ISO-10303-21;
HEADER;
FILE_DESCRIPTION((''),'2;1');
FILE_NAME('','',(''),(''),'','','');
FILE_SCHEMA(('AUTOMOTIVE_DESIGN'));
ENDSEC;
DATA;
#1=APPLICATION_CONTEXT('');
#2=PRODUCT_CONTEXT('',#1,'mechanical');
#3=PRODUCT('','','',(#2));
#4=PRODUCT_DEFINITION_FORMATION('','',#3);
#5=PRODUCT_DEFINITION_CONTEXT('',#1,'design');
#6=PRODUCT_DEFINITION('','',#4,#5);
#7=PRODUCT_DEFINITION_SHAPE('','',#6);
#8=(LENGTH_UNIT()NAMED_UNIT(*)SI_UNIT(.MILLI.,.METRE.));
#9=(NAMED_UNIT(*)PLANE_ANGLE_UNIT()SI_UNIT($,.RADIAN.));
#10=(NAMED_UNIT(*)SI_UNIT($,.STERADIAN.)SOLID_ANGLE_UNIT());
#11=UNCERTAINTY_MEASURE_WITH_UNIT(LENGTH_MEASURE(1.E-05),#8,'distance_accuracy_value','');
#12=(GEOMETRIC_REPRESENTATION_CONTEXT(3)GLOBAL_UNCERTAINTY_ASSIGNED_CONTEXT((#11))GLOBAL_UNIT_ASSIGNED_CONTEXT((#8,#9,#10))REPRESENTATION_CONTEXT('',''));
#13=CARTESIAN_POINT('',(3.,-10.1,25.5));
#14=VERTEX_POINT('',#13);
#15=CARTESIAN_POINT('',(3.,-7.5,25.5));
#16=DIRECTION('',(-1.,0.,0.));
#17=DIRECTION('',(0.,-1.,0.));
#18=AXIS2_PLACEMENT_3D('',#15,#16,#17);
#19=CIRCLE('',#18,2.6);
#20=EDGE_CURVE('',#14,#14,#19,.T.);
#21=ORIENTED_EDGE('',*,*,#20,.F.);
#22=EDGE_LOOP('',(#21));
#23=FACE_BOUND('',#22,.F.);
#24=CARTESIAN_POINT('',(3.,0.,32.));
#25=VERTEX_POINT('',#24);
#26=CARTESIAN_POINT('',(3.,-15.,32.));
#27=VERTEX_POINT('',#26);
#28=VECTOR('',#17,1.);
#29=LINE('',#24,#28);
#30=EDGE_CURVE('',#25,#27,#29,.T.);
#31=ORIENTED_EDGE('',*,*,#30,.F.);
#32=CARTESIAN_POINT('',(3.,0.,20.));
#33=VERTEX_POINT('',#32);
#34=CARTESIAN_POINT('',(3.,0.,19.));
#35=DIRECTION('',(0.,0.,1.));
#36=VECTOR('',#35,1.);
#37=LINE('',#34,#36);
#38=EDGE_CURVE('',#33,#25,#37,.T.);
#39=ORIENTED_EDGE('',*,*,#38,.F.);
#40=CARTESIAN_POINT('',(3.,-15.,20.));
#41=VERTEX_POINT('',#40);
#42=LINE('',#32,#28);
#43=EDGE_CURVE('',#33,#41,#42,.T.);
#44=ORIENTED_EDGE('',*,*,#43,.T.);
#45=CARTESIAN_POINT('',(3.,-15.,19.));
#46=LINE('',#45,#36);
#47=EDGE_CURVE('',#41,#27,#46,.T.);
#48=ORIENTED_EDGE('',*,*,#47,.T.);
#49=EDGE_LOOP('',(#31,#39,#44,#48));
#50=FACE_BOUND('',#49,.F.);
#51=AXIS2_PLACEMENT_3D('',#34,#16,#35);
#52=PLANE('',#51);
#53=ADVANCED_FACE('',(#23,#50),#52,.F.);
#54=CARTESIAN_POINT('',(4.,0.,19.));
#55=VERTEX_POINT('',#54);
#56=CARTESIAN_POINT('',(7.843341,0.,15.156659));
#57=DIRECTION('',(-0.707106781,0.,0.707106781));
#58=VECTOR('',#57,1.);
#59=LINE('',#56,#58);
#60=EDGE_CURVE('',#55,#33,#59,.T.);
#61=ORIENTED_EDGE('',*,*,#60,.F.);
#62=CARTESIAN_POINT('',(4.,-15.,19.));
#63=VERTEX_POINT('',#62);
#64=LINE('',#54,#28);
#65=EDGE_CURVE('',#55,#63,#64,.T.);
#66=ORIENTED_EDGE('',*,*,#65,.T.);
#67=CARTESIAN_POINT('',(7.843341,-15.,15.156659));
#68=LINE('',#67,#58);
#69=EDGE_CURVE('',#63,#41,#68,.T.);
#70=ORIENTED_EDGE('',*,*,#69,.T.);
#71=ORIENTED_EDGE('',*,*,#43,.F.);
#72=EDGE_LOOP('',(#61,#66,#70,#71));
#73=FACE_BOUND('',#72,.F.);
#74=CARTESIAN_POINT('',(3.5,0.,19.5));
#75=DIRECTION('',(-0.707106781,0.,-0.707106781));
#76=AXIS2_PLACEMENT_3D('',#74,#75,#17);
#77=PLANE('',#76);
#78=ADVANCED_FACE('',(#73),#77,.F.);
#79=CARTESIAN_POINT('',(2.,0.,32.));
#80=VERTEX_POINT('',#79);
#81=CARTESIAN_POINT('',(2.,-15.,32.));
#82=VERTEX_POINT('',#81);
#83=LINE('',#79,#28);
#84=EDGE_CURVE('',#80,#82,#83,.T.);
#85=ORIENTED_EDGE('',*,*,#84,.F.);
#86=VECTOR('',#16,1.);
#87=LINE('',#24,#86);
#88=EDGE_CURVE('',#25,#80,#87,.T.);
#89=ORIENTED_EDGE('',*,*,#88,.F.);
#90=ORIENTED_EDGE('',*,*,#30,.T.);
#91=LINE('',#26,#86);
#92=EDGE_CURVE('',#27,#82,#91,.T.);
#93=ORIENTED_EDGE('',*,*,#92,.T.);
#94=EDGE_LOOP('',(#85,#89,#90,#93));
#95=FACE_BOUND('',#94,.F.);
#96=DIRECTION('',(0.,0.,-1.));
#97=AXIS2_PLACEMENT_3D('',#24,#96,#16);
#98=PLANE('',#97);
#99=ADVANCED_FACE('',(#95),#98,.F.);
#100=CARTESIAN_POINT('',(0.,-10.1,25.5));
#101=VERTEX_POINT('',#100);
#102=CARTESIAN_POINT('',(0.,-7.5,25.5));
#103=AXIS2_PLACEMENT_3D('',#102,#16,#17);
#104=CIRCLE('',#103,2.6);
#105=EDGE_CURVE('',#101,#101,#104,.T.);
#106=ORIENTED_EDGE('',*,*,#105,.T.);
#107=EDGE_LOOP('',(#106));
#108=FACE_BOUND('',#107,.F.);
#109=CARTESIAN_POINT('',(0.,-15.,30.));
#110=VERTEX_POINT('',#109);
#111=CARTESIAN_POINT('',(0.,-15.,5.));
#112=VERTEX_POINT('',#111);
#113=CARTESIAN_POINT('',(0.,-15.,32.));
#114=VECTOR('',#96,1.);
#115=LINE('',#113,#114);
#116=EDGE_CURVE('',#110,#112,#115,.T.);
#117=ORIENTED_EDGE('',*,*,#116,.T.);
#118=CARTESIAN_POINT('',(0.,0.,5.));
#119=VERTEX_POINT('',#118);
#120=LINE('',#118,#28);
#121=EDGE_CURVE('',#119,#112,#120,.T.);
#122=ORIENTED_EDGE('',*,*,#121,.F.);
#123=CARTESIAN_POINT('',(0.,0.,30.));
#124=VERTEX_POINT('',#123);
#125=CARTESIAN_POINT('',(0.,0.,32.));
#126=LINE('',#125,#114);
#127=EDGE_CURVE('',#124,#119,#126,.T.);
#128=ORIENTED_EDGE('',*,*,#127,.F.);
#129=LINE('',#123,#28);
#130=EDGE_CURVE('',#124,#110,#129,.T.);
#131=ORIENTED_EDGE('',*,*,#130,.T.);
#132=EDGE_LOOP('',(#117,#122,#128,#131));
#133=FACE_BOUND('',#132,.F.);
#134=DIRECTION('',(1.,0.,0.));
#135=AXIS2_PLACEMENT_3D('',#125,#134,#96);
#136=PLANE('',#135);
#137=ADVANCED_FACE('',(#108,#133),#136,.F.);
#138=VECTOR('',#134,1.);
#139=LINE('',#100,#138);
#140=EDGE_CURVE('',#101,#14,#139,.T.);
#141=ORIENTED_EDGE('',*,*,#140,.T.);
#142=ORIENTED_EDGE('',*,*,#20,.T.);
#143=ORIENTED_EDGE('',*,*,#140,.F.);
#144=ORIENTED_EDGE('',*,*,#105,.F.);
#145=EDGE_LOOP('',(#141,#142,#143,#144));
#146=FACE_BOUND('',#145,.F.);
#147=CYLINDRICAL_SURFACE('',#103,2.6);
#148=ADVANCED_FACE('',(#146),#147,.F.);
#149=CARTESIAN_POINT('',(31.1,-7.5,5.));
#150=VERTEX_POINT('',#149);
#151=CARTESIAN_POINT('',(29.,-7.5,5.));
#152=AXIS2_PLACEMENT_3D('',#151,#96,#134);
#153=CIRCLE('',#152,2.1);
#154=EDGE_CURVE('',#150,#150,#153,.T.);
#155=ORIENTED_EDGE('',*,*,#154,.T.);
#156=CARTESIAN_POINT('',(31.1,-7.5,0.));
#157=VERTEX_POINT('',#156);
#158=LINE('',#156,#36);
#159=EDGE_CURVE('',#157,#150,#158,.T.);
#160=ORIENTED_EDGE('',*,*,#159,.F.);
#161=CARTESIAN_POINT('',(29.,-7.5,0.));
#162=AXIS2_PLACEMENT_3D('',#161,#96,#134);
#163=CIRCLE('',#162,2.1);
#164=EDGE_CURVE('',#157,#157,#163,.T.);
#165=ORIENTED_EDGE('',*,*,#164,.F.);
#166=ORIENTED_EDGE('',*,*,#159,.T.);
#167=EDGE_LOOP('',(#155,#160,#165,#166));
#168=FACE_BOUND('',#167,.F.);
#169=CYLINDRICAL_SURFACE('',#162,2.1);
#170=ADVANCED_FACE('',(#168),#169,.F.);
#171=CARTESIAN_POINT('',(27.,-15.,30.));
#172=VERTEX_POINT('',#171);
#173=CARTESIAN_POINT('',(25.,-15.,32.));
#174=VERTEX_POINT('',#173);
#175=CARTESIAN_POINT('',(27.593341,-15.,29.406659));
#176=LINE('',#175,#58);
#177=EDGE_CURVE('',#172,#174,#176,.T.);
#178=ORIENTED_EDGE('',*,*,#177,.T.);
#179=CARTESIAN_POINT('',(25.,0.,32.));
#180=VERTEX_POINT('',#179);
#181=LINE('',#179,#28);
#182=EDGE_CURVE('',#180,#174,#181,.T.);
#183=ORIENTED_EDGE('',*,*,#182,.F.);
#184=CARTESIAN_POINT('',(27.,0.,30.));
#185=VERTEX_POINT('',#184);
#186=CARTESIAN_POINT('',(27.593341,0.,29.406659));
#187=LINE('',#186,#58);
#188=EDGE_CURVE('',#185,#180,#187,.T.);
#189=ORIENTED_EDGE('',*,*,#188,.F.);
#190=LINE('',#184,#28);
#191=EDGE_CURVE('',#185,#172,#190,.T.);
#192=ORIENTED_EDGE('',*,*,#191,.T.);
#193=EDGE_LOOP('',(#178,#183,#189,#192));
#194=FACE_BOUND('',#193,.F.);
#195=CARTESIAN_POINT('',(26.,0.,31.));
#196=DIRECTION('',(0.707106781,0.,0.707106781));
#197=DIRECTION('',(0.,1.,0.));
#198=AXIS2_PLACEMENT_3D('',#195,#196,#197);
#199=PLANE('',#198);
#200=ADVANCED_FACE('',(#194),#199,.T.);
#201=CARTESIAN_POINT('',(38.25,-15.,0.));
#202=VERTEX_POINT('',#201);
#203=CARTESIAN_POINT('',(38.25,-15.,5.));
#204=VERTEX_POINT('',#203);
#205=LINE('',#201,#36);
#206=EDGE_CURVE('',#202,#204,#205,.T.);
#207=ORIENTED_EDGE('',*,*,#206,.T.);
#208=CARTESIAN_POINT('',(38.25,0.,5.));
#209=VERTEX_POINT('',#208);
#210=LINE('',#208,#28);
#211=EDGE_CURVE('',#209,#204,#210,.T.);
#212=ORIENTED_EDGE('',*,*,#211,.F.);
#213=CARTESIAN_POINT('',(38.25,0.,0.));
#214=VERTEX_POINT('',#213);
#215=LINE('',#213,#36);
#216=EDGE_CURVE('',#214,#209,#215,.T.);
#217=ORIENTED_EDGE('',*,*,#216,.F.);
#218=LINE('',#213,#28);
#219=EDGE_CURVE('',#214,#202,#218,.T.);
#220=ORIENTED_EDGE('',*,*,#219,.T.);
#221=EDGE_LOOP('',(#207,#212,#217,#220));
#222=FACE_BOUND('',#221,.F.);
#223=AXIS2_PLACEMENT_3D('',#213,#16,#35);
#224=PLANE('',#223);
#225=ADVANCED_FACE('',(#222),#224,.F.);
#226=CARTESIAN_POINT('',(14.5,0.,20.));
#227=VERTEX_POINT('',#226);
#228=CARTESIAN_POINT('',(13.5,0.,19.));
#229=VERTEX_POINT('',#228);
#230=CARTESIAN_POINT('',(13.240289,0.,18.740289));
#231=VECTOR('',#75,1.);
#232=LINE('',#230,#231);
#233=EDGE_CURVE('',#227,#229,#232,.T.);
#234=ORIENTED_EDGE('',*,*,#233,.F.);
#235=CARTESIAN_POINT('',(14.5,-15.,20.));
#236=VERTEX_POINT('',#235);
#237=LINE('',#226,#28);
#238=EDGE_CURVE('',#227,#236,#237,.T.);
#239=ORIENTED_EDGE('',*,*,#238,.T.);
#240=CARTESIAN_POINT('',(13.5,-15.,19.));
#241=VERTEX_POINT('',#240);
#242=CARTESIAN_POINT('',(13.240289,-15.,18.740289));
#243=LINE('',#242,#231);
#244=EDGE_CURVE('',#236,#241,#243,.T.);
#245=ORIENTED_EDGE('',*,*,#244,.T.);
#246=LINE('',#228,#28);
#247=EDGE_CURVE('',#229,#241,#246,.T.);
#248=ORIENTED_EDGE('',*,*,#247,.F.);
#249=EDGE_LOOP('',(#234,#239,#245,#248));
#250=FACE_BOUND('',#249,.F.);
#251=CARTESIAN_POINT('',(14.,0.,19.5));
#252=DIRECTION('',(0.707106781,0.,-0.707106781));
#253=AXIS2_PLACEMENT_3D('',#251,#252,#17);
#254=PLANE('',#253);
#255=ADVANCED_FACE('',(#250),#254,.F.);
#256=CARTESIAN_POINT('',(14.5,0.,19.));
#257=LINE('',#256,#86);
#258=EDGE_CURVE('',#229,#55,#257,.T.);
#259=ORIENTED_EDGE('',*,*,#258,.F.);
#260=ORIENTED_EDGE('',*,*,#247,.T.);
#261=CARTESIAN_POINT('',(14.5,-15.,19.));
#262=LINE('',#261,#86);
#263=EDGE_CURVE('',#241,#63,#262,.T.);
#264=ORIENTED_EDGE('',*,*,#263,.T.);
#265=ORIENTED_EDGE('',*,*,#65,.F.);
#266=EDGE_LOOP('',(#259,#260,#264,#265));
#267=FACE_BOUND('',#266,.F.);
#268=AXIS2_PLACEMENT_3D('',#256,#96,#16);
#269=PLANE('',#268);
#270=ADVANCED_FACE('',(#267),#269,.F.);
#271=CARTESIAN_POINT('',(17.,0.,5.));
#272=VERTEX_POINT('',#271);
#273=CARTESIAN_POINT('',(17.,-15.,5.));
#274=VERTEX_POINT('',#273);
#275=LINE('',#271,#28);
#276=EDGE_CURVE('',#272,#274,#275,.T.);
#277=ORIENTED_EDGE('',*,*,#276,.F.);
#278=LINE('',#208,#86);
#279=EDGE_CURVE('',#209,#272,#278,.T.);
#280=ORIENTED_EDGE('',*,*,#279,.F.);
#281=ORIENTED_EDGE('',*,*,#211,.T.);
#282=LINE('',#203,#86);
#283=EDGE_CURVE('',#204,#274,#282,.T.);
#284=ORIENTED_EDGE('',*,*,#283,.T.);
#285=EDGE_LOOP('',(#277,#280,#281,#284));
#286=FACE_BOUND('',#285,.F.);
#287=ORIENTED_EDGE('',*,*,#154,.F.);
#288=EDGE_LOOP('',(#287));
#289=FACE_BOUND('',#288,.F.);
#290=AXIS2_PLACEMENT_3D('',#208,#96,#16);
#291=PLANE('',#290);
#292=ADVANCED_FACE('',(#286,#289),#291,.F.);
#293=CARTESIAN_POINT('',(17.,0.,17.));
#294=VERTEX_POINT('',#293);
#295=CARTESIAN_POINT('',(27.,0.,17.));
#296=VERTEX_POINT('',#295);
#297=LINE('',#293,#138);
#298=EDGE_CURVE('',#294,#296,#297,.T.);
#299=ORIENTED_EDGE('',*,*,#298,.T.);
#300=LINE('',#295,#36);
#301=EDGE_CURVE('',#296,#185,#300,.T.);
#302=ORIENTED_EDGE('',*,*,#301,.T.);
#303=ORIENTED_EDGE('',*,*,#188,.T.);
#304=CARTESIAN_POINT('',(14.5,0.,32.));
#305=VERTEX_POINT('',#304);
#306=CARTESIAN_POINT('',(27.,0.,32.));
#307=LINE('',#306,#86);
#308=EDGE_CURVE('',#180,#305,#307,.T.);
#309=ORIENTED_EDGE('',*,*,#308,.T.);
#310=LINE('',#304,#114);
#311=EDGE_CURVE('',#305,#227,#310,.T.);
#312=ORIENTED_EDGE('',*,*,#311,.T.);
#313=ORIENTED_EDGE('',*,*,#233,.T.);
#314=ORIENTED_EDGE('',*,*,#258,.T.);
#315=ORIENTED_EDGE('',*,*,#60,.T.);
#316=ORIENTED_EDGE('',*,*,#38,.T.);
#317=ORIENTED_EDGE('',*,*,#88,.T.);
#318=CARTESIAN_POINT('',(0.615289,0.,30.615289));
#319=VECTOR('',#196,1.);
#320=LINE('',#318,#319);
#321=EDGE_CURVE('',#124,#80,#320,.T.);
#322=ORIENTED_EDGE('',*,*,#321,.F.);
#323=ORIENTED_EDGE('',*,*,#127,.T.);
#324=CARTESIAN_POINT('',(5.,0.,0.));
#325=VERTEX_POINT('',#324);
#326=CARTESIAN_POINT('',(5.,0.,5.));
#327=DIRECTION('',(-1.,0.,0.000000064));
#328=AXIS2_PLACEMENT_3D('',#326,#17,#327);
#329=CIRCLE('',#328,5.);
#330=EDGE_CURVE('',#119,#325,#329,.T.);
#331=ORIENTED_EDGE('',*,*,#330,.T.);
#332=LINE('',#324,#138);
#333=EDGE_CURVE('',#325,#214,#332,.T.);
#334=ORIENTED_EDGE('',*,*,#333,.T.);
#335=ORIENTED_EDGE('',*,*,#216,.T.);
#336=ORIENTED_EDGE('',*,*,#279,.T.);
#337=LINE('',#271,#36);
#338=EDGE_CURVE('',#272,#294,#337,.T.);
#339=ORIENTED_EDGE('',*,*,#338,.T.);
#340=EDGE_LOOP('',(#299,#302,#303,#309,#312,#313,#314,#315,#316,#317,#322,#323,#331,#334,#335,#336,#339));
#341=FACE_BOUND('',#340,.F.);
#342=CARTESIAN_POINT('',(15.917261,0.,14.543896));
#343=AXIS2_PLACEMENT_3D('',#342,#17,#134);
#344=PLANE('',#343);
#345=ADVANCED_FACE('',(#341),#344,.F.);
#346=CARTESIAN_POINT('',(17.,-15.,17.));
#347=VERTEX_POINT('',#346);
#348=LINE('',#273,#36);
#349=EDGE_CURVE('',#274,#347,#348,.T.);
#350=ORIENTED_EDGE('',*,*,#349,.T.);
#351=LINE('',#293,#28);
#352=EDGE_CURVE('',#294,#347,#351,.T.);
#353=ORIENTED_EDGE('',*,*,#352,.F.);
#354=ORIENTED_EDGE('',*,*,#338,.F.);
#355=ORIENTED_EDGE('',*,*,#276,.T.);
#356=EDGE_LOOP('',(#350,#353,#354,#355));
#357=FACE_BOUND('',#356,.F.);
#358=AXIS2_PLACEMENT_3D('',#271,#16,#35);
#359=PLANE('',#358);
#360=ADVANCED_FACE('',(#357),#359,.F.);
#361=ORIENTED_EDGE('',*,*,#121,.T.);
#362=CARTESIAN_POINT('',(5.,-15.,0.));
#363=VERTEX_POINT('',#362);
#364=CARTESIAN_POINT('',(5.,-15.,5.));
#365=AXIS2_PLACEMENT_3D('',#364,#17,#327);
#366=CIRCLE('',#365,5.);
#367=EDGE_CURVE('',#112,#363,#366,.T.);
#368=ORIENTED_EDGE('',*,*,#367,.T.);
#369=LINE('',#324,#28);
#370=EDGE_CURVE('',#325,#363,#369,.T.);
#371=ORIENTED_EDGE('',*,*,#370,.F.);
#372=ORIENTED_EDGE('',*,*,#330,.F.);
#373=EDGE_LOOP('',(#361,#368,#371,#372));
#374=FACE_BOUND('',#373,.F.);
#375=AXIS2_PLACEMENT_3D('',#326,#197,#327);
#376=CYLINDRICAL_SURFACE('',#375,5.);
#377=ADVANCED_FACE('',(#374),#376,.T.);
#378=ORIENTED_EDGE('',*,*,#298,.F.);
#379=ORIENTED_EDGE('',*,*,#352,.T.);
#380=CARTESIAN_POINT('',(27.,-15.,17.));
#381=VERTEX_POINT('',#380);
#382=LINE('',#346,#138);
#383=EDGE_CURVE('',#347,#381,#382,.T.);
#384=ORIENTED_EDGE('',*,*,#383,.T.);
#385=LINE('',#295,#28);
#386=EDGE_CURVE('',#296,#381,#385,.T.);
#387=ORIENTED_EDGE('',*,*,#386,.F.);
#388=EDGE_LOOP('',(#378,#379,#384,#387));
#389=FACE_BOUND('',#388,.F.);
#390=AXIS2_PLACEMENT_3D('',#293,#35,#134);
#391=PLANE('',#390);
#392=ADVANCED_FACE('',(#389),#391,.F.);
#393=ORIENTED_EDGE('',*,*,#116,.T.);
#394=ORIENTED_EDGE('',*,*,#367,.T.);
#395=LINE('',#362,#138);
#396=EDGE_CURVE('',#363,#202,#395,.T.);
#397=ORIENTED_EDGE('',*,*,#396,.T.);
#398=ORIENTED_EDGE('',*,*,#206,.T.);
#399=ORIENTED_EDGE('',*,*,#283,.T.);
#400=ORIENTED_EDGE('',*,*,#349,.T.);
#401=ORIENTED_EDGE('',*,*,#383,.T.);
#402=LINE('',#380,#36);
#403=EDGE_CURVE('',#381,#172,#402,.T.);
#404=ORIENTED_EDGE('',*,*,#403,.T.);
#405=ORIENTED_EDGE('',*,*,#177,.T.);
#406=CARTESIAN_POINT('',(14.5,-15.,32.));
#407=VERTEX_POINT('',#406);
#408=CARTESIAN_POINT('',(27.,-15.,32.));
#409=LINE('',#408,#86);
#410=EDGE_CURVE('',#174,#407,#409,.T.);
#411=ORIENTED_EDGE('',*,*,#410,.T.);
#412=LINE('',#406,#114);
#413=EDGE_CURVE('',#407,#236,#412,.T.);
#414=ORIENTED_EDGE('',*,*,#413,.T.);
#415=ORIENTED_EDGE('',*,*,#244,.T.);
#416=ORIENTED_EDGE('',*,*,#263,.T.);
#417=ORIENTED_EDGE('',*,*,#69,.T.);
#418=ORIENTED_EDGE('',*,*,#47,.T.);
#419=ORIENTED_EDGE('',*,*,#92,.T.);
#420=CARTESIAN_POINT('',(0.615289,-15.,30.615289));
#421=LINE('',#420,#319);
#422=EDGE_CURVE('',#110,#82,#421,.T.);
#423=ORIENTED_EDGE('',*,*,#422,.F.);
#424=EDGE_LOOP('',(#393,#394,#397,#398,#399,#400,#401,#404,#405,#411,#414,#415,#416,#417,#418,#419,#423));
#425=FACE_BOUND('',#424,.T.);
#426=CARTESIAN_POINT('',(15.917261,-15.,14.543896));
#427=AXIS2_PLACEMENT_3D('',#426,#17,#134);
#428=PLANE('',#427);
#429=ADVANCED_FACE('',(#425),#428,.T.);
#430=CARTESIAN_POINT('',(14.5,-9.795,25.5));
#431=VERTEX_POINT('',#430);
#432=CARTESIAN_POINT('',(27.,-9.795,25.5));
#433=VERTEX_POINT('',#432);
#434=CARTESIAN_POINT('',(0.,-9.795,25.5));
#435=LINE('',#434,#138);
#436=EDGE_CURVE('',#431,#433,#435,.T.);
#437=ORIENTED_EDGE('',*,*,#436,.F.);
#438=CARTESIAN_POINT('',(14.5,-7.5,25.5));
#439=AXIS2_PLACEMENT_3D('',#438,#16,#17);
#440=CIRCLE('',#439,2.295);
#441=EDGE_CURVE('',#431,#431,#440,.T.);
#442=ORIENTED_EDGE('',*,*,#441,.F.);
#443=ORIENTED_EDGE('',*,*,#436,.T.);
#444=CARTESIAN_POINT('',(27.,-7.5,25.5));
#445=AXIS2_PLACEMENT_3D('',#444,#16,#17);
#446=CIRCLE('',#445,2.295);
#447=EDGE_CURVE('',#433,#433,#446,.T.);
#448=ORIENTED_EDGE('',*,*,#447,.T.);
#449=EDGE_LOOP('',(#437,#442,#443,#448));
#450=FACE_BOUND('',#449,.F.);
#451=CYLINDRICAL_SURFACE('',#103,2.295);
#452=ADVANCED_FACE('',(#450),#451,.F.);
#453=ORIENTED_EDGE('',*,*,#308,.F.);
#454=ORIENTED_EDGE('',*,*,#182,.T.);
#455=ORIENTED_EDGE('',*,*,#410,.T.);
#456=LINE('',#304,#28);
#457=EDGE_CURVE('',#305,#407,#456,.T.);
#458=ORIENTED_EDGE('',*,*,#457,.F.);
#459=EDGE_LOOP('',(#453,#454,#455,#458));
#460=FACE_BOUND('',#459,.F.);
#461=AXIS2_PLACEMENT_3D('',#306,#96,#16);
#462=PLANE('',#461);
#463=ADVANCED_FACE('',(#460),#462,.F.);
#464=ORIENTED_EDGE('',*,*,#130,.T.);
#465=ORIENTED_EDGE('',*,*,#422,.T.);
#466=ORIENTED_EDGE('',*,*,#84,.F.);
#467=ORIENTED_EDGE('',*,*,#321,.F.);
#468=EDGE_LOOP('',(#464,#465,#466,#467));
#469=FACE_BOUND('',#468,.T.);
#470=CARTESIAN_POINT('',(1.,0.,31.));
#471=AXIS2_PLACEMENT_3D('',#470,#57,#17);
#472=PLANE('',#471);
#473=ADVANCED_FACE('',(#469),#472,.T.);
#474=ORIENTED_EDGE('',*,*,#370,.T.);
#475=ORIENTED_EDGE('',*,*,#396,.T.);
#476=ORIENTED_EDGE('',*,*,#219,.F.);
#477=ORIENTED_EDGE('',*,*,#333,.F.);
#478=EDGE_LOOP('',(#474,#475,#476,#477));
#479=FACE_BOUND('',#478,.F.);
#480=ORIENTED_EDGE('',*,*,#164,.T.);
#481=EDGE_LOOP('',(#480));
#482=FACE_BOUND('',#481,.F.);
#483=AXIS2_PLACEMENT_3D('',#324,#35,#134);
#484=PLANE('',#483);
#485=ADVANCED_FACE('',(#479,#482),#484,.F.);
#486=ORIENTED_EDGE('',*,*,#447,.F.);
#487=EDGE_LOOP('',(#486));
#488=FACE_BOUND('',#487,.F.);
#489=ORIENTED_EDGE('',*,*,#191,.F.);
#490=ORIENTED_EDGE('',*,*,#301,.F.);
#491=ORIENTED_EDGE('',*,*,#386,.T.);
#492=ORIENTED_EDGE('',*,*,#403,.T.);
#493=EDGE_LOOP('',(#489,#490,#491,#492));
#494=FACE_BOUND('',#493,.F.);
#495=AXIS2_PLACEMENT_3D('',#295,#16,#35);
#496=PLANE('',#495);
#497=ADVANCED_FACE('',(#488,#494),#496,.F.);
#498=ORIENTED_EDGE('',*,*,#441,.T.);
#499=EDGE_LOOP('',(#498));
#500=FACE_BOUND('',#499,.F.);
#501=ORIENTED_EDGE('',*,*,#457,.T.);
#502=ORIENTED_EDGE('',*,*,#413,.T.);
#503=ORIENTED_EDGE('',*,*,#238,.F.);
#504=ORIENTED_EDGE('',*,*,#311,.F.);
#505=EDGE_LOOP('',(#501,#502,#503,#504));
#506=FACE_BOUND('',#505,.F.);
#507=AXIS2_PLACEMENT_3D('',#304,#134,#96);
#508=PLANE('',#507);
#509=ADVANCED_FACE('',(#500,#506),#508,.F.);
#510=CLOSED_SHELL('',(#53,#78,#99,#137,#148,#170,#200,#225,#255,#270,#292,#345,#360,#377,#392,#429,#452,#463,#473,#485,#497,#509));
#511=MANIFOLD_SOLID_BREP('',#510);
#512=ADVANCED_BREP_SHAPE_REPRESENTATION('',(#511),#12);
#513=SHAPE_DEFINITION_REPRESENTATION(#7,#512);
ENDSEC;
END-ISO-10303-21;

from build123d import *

# Parameters (mm, degrees)
F1_DEPTH = 15
F2_R     = 2.1
F3_DEPTH = 5
F4_R     = 2.295
F5_DEPTH = 38.251
F6_R     = 2.6
F6_R_2   = 2.295
F7_DEPTH = 3
F8_SIZE  = 2
F9_SIZE  = 1


with BuildPart() as f1:
    # F0 (on Front) → F1 (new body)
    with BuildSketch(Plane.XZ):
        with BuildLine():
            ThreePointArc((0, 5), (1.464466, 1.464466), (5, 0))
            Line((5, 0), (38.25, 0))
            Line((38.25, 0), (38.25, 5))
            Line((38.25, 5), (17, 5))
            Line((17, 5), (17, 17))
            Line((17, 17), (27, 17))
            Line((27, 17), (27, 32))
            Line((27, 32), (14.5, 32))
            Line((14.5, 32), (14.5, 19))
            Line((14.5, 19), (3, 19))
            Line((3, 19), (3, 32))
            Line((3, 32), (0, 32))
            Line((0, 32), (0, 5))
        make_face()
    extrude(amount=F1_DEPTH)

    # F2 (on face) → F3 (cut, through all)
    with BuildSketch(Plane(origin=(0, 0, 0), x_dir=(1, 0, 0), z_dir=(0, 0, -1))):
        with Locations((29, 7.5)):
            Circle(F2_R)
    extrude(amount=-F3_DEPTH, mode=Mode.SUBTRACT)

    # F4 (on face) → F5 (cut, through all)
    with BuildSketch(Plane(origin=(0, 0, 0), x_dir=(0, -1, 0), z_dir=(-1, 0, 0))):
        with Locations((7.5, 25.5)):
            Circle(F4_R)
    extrude(amount=-F5_DEPTH, mode=Mode.SUBTRACT)

    # F6 (on face) → F7 (cut, through all)
    with BuildSketch(Plane(origin=(0, 0, 0), x_dir=(0, -1, 0), z_dir=(-1, 0, 0))):
        with Locations((7.5, 25.5)):
            Circle(F6_R)
        with Locations((7.5, 25.5)):
            Circle(F6_R_2, mode=Mode.SUBTRACT)
    extrude(amount=-F7_DEPTH, mode=Mode.SUBTRACT)

    # F8
    f8_edges = [f1.edges().sort_by_distance(p)[0] for p in [
        (27, -7.5, 32),
        (0, -7.5, 32),
    ]]
    chamfer(f8_edges, length=F8_SIZE)

    # F9
    f9_edges = [f1.edges().sort_by_distance(p)[0] for p in [
        (3, -7.5, 19),
        (14.5, -7.5, 19),
    ]]
    chamfer(f9_edges, length=F9_SIZE)


solid = f1.part
